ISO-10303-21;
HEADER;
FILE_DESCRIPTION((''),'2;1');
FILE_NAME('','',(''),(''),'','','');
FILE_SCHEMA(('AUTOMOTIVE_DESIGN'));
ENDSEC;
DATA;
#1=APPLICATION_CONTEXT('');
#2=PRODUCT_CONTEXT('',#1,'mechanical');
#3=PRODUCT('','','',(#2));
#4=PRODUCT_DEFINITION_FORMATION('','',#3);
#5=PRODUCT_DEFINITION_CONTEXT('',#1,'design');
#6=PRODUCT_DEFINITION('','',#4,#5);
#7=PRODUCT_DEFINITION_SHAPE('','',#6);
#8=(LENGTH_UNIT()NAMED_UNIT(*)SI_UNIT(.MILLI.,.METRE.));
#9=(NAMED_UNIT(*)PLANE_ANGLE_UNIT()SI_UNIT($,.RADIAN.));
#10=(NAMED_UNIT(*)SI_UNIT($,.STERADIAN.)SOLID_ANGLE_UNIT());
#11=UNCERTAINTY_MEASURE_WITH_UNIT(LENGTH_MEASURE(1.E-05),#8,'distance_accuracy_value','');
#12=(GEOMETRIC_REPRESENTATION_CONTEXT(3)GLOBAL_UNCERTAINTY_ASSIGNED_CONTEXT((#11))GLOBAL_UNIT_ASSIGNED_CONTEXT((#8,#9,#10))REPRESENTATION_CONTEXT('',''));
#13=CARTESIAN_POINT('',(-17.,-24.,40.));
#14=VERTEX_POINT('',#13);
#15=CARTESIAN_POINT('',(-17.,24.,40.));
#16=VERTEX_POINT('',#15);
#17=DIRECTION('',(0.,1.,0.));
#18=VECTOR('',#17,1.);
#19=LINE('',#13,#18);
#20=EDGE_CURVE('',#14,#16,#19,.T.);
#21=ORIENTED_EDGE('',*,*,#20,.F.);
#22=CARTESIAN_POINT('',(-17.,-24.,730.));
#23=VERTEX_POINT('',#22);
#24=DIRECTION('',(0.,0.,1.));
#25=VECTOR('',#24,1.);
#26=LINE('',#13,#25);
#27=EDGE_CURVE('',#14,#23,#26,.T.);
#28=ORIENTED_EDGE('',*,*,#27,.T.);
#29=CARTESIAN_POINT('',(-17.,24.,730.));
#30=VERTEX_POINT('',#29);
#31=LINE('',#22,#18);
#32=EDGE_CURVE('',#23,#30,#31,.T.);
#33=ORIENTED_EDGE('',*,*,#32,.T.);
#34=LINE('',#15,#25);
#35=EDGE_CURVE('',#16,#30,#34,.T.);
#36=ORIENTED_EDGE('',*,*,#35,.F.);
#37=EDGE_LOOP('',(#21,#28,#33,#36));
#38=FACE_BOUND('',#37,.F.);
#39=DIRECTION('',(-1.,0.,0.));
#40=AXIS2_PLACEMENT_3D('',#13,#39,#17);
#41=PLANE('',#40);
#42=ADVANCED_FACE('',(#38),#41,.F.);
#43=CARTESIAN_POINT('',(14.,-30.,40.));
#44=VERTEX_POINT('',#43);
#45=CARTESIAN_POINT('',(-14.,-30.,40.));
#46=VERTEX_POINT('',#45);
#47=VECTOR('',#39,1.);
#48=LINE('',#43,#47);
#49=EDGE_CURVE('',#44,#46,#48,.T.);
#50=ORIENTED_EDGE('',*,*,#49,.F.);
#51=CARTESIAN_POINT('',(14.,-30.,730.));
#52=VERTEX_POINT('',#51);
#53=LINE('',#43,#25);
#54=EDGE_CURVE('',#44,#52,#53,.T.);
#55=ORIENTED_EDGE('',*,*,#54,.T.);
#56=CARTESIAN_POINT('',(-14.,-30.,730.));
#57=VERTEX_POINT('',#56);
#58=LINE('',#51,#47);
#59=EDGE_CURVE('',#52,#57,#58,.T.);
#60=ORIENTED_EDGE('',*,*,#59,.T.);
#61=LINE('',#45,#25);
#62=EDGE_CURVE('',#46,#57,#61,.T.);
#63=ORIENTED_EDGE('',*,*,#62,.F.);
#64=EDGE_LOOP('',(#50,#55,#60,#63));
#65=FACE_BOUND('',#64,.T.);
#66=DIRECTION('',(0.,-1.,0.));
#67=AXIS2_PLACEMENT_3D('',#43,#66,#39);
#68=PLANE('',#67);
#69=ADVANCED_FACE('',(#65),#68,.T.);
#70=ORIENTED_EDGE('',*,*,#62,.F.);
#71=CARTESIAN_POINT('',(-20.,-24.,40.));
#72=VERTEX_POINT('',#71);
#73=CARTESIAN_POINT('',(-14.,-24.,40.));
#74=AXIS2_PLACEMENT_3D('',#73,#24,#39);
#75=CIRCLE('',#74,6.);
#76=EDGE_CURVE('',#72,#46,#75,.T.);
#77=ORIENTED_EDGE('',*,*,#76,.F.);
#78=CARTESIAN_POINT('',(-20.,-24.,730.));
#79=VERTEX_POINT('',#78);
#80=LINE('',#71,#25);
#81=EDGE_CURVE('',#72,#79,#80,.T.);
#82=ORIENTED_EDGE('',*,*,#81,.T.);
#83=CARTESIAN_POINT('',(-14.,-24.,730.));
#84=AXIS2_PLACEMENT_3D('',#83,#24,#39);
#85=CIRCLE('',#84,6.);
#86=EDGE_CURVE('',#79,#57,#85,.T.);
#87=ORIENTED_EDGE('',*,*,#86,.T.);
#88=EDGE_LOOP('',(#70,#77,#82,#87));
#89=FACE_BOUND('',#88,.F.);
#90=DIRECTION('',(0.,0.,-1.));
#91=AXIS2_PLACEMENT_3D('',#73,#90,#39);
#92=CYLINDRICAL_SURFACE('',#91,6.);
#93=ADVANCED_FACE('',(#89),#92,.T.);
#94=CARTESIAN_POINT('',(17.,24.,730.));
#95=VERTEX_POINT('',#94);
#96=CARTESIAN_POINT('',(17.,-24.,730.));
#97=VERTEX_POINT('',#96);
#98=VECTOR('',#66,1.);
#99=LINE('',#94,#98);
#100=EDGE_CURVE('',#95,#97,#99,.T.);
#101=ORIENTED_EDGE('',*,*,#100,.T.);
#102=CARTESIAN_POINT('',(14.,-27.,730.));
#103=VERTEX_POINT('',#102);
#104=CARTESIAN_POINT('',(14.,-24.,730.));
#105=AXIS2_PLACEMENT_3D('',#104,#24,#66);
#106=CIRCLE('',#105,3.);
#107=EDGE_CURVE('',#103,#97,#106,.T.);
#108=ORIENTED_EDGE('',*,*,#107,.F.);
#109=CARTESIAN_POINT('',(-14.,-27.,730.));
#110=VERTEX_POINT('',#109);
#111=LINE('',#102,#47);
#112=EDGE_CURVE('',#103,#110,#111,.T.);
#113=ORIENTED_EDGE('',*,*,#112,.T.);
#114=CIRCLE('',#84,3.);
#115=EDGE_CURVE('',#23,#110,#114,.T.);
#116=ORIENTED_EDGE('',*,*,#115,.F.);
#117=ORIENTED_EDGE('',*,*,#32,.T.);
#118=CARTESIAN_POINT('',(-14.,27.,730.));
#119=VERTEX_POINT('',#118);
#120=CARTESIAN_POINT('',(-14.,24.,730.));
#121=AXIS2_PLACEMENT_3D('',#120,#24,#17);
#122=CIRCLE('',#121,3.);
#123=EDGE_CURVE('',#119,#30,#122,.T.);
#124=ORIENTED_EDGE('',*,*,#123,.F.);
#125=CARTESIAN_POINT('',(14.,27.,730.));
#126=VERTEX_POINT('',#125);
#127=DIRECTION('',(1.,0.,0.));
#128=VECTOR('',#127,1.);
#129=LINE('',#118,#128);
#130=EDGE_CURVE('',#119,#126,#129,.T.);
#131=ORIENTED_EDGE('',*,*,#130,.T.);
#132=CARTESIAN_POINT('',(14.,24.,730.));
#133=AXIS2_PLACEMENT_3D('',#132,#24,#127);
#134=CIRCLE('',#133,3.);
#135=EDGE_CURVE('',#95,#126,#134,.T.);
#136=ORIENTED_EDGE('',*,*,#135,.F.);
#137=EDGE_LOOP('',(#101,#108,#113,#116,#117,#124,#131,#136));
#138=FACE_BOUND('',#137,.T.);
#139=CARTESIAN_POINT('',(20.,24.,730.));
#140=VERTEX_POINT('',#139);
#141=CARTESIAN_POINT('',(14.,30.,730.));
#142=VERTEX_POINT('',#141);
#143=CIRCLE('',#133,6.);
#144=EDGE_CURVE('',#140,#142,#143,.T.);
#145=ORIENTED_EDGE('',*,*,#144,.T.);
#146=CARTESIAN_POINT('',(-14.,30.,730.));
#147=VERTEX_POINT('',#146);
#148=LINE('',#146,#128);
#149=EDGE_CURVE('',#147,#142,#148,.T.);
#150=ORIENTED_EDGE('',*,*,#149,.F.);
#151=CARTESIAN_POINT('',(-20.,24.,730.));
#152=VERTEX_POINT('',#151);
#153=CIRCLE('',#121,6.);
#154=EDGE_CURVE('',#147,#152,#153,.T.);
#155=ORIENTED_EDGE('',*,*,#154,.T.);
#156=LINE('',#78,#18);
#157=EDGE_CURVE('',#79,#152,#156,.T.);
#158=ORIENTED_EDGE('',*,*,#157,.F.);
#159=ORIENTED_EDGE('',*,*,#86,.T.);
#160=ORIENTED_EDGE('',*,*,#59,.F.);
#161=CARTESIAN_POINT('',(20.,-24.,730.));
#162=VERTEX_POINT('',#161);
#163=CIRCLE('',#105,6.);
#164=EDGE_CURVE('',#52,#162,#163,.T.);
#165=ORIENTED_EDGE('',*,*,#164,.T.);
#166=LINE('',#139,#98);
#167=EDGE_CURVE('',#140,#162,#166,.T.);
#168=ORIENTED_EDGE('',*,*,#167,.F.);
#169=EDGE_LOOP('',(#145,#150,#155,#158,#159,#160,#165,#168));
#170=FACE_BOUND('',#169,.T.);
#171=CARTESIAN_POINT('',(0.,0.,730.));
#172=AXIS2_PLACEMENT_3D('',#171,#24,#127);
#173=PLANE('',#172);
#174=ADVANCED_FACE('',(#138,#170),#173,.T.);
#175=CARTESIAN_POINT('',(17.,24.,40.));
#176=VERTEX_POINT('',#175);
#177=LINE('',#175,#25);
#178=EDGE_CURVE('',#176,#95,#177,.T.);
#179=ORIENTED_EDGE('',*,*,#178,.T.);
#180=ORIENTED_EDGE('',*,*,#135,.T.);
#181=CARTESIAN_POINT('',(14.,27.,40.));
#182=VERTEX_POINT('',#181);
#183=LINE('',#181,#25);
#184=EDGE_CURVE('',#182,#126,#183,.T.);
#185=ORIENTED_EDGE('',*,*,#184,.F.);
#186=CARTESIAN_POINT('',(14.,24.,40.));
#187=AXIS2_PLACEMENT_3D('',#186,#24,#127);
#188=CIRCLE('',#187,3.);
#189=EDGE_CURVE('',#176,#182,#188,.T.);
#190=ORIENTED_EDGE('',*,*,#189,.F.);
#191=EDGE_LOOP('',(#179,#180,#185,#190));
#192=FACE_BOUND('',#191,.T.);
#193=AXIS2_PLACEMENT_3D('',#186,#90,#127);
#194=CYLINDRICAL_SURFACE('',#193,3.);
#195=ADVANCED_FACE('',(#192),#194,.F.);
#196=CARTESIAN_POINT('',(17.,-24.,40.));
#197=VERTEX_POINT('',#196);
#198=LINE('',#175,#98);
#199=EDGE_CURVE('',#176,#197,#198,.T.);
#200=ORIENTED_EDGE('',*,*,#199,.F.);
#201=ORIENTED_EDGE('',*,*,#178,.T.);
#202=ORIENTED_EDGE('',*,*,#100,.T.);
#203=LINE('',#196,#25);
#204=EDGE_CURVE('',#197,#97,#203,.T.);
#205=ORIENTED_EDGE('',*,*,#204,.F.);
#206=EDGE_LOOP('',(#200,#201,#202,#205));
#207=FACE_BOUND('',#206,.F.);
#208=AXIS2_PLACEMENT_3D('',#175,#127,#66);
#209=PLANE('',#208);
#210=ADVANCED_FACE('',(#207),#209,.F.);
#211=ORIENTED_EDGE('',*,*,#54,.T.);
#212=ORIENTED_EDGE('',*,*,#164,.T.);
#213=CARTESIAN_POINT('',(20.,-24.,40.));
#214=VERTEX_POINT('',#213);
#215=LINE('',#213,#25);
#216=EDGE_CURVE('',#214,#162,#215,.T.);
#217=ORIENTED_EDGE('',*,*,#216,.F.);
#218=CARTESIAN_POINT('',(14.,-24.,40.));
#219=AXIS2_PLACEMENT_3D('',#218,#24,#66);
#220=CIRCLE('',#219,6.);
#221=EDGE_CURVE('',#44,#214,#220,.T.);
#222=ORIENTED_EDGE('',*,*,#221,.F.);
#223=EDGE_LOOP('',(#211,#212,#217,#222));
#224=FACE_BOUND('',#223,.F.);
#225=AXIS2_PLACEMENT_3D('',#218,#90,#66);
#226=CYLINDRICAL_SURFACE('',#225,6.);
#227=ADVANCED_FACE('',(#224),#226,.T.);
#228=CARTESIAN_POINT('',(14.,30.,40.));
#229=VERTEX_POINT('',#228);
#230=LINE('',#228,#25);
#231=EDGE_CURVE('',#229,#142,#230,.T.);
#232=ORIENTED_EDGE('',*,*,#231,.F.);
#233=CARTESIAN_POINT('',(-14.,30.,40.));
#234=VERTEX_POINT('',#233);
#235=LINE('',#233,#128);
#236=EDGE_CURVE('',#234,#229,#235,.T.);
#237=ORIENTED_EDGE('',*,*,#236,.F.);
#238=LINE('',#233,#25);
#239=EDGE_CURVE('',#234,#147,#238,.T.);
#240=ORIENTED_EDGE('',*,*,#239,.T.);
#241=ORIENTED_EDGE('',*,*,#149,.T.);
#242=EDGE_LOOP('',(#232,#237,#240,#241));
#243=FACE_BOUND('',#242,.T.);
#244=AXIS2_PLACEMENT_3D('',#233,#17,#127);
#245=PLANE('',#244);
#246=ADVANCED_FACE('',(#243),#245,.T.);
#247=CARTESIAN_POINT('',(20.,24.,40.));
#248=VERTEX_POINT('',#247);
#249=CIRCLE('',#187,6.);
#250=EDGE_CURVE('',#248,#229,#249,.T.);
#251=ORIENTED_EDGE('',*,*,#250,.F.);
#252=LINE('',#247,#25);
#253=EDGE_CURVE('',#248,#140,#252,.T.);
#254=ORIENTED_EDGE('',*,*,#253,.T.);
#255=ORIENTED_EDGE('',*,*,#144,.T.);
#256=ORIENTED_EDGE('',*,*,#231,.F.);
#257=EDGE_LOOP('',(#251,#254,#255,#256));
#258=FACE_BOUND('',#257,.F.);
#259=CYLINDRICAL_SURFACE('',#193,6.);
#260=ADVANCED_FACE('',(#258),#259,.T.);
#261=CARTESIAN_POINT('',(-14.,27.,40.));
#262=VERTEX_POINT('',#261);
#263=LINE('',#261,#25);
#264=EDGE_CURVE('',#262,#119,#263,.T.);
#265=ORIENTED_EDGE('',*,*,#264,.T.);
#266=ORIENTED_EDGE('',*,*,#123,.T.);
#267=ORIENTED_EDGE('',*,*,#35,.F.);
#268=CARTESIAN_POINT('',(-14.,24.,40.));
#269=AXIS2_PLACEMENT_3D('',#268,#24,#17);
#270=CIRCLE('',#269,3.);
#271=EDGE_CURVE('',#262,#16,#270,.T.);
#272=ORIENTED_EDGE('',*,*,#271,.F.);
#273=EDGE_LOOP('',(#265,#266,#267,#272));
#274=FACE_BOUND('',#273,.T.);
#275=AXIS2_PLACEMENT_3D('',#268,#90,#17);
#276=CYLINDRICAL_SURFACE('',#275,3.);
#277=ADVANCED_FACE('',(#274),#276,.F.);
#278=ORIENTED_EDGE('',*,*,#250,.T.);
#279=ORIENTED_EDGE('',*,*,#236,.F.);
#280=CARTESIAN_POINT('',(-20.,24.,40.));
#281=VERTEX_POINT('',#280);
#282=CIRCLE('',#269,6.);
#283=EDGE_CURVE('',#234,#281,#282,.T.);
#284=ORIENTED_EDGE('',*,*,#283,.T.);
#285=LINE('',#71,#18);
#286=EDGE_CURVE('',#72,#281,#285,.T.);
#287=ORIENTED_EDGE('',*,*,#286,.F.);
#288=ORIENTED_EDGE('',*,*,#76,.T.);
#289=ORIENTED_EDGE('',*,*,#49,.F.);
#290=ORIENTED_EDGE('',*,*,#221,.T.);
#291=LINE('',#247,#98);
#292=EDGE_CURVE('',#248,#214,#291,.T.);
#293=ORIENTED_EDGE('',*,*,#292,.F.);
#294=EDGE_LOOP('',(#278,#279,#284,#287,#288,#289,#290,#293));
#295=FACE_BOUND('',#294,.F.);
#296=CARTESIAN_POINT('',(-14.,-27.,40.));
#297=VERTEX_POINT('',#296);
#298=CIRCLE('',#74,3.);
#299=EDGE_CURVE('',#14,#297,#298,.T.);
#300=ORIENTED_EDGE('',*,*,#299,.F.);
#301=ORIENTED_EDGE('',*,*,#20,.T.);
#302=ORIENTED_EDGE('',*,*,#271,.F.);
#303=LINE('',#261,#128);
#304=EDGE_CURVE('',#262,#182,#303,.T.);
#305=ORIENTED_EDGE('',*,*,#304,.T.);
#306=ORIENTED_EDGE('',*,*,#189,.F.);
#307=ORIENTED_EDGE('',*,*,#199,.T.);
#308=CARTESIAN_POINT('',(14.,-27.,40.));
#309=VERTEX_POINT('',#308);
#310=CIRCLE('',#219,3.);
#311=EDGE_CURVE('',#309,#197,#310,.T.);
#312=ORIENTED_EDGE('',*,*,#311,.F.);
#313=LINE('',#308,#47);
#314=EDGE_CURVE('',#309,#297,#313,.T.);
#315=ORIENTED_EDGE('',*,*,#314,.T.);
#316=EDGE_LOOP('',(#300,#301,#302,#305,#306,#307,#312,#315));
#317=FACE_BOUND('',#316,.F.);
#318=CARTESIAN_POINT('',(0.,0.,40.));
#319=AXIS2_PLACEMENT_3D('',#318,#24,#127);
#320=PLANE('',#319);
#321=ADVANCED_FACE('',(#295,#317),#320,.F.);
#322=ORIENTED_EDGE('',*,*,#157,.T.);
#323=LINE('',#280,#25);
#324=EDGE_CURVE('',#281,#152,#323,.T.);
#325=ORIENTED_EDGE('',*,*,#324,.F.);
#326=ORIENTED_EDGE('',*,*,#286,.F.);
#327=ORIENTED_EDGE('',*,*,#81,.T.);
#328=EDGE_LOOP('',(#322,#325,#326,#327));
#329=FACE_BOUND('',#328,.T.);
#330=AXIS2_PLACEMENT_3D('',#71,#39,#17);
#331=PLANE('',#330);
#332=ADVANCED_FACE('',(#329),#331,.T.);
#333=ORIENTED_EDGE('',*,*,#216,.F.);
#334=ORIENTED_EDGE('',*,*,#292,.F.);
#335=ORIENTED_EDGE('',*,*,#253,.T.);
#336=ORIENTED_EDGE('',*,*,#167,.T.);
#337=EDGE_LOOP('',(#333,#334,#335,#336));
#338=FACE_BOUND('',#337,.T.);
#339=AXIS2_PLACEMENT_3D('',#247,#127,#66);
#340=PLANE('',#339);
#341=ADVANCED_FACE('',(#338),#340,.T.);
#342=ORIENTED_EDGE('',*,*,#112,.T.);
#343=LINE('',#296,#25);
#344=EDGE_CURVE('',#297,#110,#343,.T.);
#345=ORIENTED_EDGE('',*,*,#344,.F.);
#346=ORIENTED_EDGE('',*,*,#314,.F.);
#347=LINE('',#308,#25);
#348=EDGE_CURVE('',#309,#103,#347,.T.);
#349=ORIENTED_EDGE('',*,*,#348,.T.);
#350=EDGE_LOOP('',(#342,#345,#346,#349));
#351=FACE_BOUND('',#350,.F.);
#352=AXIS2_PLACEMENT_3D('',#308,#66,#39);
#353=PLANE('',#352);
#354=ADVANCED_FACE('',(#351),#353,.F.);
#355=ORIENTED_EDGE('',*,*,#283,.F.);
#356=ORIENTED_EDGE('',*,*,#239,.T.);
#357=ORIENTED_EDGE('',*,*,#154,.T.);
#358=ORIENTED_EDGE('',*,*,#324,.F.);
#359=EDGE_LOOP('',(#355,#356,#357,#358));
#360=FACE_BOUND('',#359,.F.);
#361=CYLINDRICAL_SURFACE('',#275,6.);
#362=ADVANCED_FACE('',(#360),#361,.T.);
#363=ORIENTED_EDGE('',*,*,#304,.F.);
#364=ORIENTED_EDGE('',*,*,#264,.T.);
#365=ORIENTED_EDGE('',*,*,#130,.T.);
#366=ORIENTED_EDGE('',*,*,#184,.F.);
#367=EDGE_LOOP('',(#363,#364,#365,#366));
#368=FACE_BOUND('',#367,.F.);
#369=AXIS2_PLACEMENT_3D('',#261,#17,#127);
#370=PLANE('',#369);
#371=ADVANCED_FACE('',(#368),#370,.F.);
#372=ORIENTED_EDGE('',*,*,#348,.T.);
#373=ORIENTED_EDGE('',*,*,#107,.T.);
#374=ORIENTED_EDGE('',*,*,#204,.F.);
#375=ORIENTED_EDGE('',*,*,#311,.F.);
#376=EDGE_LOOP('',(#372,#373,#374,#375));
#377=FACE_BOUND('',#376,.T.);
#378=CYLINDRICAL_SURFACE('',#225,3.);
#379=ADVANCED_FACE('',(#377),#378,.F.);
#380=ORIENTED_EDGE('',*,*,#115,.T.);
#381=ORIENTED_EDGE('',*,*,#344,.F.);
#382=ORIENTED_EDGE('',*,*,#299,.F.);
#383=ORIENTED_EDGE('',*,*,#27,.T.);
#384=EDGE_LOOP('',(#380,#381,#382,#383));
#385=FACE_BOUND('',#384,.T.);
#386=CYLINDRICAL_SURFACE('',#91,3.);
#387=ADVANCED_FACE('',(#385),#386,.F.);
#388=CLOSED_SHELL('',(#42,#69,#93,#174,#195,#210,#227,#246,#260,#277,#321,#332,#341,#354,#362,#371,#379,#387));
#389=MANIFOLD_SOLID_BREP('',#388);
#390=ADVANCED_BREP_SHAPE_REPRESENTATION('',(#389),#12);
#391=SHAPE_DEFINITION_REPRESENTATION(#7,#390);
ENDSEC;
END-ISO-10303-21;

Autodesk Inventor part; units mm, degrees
ref_plane "YZ Plane" through (0, 0, 0) normal (1, 0, 0) x (0, 1, 0)
ref_plane "Start Plane" through (0, 0, 40) normal (0, 0, 1) x (1, 0, 0)
ref_plane "End Plane" through (0, 0, 730) normal (0, 0, 1) x (1, 0, 0)
sketch "Sketch" plane through (0, 0, 0) normal (0, 0, 1) x (1, 0, 0)
  line L0 (-20, -24) -> (-20, 24)
  line L1 (-14, 30) -> (14, 30)
  line L2 (20, 24) -> (20, -24)
  line L3 (14, -30) -> (-14, -30)
  arc A0 (-20, -24) -> (-14, -30) centre (-14, -24) ccw
  arc A1 (20, 24) -> (14, 30) centre (14, 24) ccw
  arc A2 (-14, 30) -> (-20, 24) centre (-14, 24) ccw
  arc A3 (14, -30) -> (20, -24) centre (14, -24) ccw
  arc A4 (-14, 27) -> (-17, 24) centre (-14, 24) ccw
  line L4 (-14, 27) -> (14, 27)
  arc A5 (17, 24) -> (14, 27) centre (14, 24) ccw
  line L5 (17, 24) -> (17, -24)
  arc A6 (14, -27) -> (17, -24) centre (14, -24) ccw
  line L6 (14, -27) -> (-14, -27)
  arc A7 (-17, -24) -> (-14, -27) centre (-14, -24) ccw
  line L7 (-17, -24) -> (-17, 24)
  line L8 (0, 43.7397) -> (0, -43.7397) construction
  line L9 (-29.7397, 0) -> (29.7397, 0) construction
  dimension "d7" = 6
  dimension "d9" = 40
  dimension "d11" = 60
  dimension "d12" = 3
  dimension "d15" = 20
  dimension "d16" = 30
extrude "Body" add sketch "Sketch" along normal up to surface (690 mm away) from surface at 40
sketch "Sketch3" plane through (0, 0, 0) normal (0, 0, 1) x (1, 0, 0)
  line L0 (0, 0) -> (10, 0)
ref_plane "Work Plane3" through (0, 0, 0) normal (0, -1, 0) x (1, 0, 0)
sketch "Sketch4" plane through (0, 0, 0) normal (0, -1, 0) x (1, 0, 0)
  line L0 (-2, 40) -> (12, 40) projected
  line L1 (-2, 730) -> (12, 730) projected
  dimension "d18" = 690
equation "\"d7\" = G_IR"
equation "\"d9\" = G_W"
equation "\"d11\" = G_H"
equation "\"d12\" = G_T"
equation "\"d15\" = 0.5 * d9"
equation "\"d16\" = 0.5 * d11"
equation "\"d3\" = G_L"
equation "\"G_W\" = 40"
equation "\"G_H\" = 60"
equation "\"G_T\" = 3"
equation "\"G_IR\" = 6"
equation "\"G_L\" = d18"
properties part number "ISO 4019 - 60x40x3 - 690" material "Steel, Mild"
